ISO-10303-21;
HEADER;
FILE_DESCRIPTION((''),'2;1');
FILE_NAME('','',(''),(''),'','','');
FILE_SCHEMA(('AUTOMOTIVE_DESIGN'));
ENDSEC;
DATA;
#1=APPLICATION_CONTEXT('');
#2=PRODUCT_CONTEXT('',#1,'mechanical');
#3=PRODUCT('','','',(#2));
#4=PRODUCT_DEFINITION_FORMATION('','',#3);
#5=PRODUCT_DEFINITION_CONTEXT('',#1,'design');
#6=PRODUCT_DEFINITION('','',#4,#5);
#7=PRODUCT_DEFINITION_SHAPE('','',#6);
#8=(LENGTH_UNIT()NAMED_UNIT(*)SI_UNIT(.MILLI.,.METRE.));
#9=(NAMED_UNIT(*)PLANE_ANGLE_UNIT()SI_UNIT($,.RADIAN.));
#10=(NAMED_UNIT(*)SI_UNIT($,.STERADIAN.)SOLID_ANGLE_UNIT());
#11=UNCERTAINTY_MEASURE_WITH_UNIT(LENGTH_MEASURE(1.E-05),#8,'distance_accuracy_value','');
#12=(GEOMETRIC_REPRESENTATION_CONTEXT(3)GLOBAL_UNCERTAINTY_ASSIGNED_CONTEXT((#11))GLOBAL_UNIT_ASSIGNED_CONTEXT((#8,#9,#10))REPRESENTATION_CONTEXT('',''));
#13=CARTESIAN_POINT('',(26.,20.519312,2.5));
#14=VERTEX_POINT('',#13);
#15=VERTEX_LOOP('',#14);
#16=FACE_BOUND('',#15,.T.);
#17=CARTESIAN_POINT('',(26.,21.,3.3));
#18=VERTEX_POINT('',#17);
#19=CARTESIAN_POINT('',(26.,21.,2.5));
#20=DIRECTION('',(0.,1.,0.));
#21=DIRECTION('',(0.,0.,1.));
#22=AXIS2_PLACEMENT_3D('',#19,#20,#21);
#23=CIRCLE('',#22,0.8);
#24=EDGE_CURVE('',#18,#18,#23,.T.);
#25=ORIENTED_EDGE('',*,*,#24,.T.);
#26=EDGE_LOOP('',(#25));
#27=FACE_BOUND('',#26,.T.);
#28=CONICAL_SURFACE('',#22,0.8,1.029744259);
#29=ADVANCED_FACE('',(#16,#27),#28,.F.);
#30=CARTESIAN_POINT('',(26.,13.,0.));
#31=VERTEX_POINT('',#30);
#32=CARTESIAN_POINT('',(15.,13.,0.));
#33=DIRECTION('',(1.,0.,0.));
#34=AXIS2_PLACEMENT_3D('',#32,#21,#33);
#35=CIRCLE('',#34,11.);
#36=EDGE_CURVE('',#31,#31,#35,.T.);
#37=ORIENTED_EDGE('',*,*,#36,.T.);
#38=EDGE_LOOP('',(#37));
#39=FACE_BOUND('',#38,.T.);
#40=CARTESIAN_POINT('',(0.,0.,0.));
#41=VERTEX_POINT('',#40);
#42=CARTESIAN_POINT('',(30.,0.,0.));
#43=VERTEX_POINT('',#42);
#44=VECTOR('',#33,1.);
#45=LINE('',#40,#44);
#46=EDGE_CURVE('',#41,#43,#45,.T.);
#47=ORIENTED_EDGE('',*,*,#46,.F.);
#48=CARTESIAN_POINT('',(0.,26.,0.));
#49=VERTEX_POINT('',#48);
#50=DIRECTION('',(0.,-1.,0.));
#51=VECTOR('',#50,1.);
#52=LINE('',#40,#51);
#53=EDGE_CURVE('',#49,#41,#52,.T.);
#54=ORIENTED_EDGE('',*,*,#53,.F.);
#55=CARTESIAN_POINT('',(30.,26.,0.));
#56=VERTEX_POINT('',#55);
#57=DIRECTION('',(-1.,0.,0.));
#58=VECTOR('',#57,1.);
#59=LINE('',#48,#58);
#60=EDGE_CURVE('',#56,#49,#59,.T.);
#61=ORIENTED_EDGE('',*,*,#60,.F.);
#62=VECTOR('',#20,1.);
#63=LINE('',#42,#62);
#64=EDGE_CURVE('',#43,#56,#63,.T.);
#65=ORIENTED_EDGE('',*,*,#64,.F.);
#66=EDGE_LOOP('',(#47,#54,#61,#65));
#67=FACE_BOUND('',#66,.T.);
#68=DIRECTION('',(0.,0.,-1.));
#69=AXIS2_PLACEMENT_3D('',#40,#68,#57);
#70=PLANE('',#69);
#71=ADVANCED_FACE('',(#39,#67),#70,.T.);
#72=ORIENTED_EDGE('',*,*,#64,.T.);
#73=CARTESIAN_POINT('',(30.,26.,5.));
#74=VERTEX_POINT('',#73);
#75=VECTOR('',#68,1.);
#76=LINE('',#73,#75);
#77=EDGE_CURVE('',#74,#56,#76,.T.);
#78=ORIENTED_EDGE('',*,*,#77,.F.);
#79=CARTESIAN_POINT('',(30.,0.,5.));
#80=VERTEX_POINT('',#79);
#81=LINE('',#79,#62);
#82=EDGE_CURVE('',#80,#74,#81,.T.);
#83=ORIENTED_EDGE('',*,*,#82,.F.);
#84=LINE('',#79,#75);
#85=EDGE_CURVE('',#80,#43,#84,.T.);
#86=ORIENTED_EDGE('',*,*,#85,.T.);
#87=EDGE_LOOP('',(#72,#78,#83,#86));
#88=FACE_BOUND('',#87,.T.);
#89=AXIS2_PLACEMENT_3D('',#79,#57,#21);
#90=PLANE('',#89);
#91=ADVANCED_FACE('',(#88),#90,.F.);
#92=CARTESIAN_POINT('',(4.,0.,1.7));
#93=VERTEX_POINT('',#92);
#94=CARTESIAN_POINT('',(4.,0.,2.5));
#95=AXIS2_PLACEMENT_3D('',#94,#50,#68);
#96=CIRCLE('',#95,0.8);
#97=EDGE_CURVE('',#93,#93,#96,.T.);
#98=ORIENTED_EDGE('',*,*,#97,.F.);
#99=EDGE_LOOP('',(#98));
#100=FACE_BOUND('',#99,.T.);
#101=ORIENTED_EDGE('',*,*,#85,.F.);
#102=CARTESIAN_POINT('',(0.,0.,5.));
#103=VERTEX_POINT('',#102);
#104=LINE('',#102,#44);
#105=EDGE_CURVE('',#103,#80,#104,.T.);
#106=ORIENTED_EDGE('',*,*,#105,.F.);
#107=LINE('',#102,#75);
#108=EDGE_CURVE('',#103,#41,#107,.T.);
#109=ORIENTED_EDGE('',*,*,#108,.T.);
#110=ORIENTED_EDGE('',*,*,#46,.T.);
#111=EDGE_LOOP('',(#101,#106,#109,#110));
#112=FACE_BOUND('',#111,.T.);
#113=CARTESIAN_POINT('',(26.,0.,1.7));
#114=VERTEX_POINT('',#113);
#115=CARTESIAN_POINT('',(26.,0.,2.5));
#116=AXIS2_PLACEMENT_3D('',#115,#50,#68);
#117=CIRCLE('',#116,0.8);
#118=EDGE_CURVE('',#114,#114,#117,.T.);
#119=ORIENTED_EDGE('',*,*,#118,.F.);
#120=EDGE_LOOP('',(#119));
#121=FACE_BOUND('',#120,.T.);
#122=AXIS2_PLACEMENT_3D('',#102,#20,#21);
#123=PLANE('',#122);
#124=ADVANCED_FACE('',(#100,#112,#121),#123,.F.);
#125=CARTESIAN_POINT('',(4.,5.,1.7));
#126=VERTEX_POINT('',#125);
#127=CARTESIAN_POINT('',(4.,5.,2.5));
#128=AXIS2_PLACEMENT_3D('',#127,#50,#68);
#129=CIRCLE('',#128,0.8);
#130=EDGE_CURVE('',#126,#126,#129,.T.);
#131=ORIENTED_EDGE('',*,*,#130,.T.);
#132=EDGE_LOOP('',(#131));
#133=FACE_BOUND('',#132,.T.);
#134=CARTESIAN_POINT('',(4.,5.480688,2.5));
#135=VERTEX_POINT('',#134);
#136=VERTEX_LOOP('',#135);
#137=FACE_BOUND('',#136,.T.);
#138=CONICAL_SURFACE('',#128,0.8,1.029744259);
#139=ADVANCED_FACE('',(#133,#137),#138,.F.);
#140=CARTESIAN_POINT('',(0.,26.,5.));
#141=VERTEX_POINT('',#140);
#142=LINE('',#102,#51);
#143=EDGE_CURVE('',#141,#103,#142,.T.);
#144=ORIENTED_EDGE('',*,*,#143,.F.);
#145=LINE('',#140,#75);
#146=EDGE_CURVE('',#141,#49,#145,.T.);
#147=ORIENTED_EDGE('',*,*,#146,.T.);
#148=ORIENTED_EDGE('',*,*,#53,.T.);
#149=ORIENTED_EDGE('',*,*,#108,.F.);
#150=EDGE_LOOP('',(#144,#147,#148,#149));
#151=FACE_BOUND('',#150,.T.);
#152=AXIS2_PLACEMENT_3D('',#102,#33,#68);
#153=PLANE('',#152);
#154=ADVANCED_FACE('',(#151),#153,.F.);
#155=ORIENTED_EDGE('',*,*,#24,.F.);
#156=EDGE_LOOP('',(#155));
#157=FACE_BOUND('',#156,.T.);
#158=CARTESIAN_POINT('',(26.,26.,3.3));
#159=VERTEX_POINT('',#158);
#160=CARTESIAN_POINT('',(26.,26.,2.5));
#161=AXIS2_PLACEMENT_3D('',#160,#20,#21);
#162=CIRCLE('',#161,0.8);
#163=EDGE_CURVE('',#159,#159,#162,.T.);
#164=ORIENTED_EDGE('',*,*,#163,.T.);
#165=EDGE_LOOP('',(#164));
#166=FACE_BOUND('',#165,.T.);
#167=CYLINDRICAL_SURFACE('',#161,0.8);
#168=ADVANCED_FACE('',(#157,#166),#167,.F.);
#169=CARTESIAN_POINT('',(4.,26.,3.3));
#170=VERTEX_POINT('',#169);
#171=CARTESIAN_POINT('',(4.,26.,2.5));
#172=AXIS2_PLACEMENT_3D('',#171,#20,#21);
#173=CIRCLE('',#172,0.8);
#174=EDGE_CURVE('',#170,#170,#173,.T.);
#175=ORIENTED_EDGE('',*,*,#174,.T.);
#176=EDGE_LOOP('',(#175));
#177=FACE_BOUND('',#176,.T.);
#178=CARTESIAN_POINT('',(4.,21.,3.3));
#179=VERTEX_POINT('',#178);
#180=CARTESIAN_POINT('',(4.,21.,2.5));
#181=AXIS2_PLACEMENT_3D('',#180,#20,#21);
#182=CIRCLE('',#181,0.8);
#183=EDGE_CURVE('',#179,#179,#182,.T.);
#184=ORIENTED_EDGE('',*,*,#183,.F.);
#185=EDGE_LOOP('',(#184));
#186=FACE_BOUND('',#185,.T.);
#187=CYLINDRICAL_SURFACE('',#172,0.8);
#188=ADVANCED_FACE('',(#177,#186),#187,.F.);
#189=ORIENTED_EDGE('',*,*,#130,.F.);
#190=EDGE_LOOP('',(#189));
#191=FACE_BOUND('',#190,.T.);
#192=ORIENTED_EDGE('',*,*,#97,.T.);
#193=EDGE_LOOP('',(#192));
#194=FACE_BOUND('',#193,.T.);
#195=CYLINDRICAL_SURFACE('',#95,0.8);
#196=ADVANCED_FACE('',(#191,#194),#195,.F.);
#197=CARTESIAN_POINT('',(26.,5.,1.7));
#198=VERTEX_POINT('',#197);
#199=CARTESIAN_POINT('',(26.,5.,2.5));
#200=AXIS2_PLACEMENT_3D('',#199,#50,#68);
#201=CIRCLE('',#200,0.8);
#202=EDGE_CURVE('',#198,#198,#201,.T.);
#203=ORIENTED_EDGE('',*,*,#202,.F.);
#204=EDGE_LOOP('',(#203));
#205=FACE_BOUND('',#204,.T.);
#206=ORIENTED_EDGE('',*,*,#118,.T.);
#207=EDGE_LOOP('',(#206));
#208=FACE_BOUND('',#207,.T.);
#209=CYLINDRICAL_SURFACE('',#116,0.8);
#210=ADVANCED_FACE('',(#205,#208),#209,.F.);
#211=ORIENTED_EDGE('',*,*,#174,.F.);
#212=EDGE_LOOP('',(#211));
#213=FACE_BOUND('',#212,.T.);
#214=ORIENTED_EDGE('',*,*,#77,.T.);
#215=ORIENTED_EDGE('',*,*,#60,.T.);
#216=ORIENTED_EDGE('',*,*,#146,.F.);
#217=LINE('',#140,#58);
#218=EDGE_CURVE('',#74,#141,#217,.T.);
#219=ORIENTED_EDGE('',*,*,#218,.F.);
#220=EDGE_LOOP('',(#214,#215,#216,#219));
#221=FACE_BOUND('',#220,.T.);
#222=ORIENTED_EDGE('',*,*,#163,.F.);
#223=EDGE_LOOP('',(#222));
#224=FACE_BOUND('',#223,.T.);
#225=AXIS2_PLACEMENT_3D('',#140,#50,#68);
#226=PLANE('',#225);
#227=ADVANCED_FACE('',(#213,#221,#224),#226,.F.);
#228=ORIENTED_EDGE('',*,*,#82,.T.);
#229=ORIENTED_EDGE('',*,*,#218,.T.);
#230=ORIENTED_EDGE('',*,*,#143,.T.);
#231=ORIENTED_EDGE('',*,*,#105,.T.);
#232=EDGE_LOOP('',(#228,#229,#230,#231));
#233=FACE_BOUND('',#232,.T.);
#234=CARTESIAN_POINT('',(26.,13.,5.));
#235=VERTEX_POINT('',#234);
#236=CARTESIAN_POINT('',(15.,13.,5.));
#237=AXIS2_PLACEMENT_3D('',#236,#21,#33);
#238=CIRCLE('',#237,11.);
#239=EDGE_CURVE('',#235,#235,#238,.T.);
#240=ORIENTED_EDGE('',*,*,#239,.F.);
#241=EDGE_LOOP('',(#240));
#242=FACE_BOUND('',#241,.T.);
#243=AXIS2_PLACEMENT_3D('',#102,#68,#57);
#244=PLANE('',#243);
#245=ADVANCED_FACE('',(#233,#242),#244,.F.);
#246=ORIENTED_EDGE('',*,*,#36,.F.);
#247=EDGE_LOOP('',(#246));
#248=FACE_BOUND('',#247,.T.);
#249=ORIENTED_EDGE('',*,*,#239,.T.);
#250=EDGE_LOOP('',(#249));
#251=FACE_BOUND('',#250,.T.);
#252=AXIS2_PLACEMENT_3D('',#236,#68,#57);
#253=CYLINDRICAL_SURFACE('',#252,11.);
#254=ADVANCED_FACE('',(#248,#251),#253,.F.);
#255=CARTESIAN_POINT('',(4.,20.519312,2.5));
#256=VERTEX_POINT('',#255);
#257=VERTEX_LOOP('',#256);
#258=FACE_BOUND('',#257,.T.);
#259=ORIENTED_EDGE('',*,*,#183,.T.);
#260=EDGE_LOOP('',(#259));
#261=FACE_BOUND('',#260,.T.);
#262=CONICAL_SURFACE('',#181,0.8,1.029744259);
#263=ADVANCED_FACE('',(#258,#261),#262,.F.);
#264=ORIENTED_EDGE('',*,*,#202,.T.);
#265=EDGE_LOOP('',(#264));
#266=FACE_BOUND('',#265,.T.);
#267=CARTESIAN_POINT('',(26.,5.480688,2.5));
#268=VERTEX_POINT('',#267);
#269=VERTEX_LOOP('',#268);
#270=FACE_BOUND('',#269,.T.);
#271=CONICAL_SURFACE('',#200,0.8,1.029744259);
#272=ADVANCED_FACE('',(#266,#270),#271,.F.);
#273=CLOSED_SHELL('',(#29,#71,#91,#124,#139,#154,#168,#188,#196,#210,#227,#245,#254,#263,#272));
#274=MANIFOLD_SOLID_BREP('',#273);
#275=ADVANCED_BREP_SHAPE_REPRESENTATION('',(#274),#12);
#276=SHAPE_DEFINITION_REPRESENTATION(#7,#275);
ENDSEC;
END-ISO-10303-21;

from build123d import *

# Parameters (mm, degrees)
ESQUISSE1_W                                   = 30
ESQUISSE1_H                                   = 26
ESQUISSE1_R                                   = 11
BOSS_EXTRU_1_DEPTH                            = 5
TROU_POUR_TARAUDAGE_POUR_TROU_TARAUD_M2_D     = 1.6
TROU_POUR_TARAUDAGE_POUR_TROU_TARAUD_M2_DEPTH = 5
TROU_POUR_TARAUDAGE_POUR_TROU_TARAUD_M2_TIP   = 0.480688495
TROU_POUR_TARAUDAGE_POUR_TROU_TARAUD_2_D      = 1.6
TROU_POUR_TARAUDAGE_POUR_TROU_TARAUD_2_DEPTH  = 5
TROU_POUR_TARAUDAGE_POUR_TROU_TARAUD_2_TIP    = 0.480688495


with BuildPart() as part:
    # Esquisse1 → Boss.-Extru.1 (new body)
    with BuildSketch(Plane.XY):
        with Locations((15, 13)):
            Rectangle(ESQUISSE1_W, ESQUISSE1_H)
        with Locations((15, 13)):
            Circle(ESQUISSE1_R, mode=Mode.SUBTRACT)
    extrude(amount=BOSS_EXTRU_1_DEPTH)

    # Trou pour taraudage pour trou taraud_ M2
    with Locations(Plane(origin=(0, 26, 0), x_dir=(1, 0, 0), z_dir=(0, 1, 0))):
        with Locations((4, -2.5), (26, -2.5)):
            Hole(TROU_POUR_TARAUDAGE_POUR_TROU_TARAUD_M2_D / 2, depth=TROU_POUR_TARAUDAGE_POUR_TROU_TARAUD_M2_DEPTH)
            with Locations((0, 0, -(TROU_POUR_TARAUDAGE_POUR_TROU_TARAUD_M2_DEPTH + TROU_POUR_TARAUDAGE_POUR_TROU_TARAUD_M2_TIP / 2))):  # 118° drill point
                Cone(0, TROU_POUR_TARAUDAGE_POUR_TROU_TARAUD_M2_D / 2, TROU_POUR_TARAUDAGE_POUR_TROU_TARAUD_M2_TIP, mode=Mode.SUBTRACT)

    # Trou pour taraudage pour trou taraud 2
    with Locations(Plane(origin=(0, 0, 0), x_dir=(-1, 0, 0), z_dir=(0, -1, 0))):
        with Locations((-4, -2.5), (-26, -2.5)):
            Hole(TROU_POUR_TARAUDAGE_POUR_TROU_TARAUD_2_D / 2, depth=TROU_POUR_TARAUDAGE_POUR_TROU_TARAUD_2_DEPTH)
            with Locations((0, 0, -(TROU_POUR_TARAUDAGE_POUR_TROU_TARAUD_2_DEPTH + TROU_POUR_TARAUDAGE_POUR_TROU_TARAUD_2_TIP / 2))):  # 118° drill point
                Cone(0, TROU_POUR_TARAUDAGE_POUR_TROU_TARAUD_2_D / 2, TROU_POUR_TARAUDAGE_POUR_TROU_TARAUD_2_TIP, mode=Mode.SUBTRACT)


solid = part.part
